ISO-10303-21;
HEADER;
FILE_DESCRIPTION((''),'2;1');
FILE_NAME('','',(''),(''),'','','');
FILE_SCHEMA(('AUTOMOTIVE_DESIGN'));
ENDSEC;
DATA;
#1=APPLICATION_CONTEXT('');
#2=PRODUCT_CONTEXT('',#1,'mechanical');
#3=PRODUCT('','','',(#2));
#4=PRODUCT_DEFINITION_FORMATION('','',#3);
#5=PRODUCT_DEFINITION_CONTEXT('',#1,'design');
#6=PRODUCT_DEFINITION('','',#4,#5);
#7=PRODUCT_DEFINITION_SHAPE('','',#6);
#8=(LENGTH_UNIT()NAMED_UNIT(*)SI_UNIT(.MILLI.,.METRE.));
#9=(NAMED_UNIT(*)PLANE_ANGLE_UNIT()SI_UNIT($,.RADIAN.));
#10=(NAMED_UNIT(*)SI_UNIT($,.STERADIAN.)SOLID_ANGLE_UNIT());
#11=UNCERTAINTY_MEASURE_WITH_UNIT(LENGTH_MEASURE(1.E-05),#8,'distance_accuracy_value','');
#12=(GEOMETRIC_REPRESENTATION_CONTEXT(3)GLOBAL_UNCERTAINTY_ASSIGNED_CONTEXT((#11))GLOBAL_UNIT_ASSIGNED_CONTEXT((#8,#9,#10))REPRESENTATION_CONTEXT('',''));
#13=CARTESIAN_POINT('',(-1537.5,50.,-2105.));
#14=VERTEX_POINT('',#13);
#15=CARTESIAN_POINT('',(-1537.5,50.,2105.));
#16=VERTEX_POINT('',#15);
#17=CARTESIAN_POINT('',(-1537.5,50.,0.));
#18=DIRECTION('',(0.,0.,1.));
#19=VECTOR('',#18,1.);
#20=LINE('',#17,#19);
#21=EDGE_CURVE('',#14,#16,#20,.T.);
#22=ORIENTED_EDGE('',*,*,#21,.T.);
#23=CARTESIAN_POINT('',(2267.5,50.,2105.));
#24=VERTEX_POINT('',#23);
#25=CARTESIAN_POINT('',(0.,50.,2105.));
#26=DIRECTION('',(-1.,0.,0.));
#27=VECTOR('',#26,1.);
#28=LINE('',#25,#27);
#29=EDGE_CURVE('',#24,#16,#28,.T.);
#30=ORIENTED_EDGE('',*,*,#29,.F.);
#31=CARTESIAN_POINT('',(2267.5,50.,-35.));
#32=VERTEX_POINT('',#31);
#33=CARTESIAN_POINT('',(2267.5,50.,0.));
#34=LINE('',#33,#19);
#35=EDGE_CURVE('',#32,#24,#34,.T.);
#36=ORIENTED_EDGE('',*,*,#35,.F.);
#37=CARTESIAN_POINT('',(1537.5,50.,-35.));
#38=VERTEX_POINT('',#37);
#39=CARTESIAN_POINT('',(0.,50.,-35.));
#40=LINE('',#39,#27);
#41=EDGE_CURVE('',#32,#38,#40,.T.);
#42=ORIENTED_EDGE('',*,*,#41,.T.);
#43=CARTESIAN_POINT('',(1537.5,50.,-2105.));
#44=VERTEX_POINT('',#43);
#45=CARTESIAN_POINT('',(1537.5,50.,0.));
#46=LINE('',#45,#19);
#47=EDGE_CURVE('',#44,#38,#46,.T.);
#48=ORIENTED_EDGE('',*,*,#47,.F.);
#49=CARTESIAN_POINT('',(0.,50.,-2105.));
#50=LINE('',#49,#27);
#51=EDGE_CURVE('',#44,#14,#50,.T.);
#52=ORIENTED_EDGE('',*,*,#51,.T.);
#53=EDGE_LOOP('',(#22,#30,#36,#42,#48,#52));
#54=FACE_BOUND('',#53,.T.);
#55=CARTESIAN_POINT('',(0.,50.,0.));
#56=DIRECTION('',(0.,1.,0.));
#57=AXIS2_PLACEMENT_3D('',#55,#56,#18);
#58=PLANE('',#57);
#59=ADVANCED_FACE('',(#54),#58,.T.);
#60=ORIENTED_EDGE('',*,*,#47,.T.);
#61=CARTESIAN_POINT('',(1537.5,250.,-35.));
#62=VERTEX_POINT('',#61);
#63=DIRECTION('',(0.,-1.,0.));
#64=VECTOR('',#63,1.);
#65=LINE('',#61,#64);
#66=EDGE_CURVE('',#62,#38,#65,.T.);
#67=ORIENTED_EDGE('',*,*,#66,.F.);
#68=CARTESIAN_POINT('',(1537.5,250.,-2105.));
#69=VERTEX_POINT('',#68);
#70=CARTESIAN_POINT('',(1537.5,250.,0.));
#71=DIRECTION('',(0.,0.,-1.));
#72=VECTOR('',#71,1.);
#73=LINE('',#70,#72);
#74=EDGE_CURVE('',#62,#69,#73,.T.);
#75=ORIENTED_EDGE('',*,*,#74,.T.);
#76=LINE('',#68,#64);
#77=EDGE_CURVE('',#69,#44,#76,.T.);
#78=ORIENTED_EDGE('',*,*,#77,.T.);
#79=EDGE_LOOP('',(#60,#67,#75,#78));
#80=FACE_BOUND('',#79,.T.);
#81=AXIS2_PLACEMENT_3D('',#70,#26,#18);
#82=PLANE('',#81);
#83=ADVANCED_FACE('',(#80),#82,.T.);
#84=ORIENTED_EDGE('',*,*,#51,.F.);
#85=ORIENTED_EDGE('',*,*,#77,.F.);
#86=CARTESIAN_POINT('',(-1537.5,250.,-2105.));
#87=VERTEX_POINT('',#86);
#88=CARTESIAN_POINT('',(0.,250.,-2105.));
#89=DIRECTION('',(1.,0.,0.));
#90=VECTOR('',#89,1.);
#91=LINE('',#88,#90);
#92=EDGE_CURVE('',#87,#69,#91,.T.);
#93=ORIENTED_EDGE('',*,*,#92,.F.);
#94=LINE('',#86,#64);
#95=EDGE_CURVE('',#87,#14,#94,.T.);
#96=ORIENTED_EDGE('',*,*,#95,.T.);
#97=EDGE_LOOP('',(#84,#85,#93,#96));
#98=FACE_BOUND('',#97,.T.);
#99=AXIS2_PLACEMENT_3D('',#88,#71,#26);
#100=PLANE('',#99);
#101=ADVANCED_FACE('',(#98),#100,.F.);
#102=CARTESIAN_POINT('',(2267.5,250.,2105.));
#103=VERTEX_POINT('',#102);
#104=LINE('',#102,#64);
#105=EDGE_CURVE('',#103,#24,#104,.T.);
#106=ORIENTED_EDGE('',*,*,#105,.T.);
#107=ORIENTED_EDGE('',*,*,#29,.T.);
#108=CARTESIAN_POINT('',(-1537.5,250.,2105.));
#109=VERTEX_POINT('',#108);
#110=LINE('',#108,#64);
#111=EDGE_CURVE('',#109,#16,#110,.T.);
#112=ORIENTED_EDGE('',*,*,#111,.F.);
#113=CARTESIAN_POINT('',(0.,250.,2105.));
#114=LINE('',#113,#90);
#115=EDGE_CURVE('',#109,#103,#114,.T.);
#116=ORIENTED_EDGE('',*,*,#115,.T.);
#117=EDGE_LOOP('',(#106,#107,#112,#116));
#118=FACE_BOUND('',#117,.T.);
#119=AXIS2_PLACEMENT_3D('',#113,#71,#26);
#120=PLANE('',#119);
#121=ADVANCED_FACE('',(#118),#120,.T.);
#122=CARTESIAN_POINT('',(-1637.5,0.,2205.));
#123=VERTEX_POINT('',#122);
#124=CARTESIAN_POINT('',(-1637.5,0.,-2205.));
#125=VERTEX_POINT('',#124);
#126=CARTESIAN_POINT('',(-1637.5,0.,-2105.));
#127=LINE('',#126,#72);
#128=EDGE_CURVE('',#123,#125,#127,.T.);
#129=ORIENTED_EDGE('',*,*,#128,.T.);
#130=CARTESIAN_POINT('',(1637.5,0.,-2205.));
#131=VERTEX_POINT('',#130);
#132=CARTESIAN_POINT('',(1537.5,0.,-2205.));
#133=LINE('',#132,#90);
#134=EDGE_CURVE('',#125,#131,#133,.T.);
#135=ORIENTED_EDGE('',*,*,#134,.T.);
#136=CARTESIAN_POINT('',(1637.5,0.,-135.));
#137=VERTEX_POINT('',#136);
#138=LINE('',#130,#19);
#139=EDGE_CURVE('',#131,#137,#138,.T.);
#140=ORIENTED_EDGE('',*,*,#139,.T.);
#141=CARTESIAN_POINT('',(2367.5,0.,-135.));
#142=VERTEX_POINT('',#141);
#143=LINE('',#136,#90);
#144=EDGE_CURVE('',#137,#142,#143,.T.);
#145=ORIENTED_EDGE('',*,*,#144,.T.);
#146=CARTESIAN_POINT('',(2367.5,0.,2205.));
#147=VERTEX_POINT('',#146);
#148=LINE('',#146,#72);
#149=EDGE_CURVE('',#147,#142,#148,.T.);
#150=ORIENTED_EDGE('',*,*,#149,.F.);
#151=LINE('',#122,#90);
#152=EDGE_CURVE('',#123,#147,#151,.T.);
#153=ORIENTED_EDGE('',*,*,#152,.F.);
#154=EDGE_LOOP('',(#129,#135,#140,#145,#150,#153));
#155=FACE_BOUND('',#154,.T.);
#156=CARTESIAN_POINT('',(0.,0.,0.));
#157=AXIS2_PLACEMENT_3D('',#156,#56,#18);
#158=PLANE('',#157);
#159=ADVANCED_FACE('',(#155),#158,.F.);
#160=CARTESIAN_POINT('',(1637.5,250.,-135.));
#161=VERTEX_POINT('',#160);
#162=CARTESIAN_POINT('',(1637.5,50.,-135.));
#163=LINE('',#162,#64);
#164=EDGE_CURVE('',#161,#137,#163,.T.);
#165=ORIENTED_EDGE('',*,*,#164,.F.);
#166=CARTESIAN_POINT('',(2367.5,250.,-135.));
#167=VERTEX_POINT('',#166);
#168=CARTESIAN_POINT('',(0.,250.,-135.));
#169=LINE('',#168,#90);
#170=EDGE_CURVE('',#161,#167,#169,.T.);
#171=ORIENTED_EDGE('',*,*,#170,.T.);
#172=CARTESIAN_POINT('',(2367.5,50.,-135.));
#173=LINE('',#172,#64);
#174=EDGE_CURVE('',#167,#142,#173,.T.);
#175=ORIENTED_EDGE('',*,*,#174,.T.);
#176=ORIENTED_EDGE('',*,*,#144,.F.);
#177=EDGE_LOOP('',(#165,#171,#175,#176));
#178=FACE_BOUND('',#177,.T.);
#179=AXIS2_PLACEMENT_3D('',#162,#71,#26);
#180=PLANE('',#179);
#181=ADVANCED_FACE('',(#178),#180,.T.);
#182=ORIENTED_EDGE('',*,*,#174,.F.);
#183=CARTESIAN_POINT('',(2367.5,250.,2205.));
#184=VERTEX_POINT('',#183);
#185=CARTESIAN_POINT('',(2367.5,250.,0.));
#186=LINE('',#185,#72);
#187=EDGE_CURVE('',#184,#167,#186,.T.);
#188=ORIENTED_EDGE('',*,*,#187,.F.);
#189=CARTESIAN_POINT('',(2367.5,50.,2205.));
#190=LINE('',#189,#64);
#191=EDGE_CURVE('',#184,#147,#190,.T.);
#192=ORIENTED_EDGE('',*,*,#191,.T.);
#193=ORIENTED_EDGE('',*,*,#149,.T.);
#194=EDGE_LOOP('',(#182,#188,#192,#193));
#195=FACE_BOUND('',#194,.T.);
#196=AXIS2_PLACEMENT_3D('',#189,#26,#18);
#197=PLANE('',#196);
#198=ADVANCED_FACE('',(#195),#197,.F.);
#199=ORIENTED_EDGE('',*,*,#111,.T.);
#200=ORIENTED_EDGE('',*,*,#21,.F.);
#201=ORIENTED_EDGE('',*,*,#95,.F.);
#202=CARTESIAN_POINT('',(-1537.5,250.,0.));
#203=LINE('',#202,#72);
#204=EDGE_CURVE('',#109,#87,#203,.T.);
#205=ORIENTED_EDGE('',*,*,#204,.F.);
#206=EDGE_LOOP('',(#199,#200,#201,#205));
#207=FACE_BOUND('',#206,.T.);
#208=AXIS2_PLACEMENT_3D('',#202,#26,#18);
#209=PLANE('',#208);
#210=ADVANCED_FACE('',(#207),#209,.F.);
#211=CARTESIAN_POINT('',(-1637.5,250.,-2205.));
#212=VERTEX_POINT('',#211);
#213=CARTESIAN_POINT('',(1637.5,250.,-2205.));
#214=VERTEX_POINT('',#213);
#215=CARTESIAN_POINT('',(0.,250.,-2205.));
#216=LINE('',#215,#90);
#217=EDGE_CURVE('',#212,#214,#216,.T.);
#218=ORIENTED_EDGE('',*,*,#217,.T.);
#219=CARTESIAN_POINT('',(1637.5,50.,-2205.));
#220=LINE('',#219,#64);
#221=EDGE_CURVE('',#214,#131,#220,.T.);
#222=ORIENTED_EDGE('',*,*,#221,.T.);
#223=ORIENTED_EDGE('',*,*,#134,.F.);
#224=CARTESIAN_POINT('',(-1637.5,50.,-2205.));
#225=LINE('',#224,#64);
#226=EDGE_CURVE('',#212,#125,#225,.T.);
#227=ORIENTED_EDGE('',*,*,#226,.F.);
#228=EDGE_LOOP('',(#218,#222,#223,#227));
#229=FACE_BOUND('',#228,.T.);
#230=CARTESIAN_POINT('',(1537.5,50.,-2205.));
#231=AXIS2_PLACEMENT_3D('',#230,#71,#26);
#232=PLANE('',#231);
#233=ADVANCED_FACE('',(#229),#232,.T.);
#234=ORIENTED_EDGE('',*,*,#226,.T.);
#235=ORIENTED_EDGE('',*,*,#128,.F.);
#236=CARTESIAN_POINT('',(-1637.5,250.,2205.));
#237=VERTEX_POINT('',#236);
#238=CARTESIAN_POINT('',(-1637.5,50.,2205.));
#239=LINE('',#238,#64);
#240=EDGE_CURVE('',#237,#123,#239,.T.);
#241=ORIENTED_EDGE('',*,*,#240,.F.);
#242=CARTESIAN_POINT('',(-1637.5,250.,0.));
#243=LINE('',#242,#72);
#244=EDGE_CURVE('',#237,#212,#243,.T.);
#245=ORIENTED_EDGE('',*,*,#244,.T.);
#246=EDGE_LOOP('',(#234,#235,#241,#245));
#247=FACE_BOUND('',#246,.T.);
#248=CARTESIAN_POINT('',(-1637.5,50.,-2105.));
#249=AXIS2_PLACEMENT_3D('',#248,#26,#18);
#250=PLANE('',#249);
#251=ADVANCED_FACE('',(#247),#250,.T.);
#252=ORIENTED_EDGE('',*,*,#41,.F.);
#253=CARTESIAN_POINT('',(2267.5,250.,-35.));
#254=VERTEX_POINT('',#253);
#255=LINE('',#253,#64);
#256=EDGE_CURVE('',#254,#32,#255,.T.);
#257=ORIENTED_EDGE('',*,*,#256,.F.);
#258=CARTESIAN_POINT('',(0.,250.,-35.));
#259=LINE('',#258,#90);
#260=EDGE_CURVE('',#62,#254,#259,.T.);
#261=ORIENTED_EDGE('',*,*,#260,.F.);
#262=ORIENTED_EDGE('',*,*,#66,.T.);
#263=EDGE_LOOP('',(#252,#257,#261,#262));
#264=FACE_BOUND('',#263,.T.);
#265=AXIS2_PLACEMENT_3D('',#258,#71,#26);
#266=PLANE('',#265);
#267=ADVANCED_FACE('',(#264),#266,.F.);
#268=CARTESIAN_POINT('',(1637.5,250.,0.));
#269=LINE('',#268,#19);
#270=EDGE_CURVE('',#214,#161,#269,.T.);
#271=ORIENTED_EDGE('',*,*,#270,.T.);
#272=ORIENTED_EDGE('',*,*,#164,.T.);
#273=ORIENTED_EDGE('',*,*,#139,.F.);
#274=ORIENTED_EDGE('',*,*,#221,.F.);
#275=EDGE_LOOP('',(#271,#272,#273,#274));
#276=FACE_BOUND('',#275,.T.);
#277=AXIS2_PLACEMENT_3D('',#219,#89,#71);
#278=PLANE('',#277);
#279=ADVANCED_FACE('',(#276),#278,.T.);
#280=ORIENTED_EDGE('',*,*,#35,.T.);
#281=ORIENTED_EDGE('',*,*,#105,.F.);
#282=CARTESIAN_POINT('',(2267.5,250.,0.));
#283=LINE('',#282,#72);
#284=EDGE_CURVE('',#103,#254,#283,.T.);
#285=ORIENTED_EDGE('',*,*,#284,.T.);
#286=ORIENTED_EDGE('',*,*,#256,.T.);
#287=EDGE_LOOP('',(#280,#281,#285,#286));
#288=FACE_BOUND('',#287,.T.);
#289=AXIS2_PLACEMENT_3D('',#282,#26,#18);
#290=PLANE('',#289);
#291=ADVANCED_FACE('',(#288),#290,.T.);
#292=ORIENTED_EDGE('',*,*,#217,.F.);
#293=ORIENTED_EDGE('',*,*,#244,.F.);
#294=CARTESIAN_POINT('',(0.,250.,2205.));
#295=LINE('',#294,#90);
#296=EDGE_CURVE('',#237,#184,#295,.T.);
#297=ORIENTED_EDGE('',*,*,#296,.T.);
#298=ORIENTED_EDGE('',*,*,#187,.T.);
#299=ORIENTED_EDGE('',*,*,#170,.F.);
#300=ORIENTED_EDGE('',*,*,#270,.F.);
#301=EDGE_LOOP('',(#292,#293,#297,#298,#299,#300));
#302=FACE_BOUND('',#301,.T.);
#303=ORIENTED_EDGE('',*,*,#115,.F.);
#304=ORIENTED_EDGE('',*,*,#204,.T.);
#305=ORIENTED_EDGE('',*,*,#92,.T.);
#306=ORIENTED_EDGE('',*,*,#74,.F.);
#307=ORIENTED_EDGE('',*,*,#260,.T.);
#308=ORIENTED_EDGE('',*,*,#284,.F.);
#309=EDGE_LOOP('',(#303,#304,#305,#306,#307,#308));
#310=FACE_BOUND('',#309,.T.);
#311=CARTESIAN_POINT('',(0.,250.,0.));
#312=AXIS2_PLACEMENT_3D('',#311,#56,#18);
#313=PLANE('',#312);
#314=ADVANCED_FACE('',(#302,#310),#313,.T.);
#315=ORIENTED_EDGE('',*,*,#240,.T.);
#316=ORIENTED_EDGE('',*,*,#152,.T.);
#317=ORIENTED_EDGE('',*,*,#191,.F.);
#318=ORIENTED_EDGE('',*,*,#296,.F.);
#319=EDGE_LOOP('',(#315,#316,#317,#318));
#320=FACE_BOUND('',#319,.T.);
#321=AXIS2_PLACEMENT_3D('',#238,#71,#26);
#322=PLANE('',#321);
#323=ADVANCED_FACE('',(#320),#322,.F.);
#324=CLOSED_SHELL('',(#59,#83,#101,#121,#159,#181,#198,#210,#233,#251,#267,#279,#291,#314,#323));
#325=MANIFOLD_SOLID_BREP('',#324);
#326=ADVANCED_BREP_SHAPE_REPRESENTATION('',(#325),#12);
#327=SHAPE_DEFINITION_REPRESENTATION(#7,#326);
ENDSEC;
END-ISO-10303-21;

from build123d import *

# Parameters (mm, degrees)
BOSS_EXTRUDE3_DEPTH = 50
BOSS_EXTRUDE4_DEPTH = 250


with BuildPart() as part:
    # Sketch2 → Boss-Extrude3 (new body)
    with BuildSketch(Plane(origin=(0, 0, 0), x_dir=(1, 0, 0), z_dir=(0, 1, 0))):
        Polygon((-1637.5, 2105), (-1637.5, -2105), (-1637.5, -2205), (2267.5, -2205), (2367.5, -2205), (2367.5, 135), (2267.5, 135), (1637.5, 135), (1637.5, 2205), (1537.5, 2205), (-1637.5, 2205), align=None)
    extrude(amount=BOSS_EXTRUDE3_DEPTH)

    # Sketch2<6> → Boss-Extrude4 (add)
    with BuildSketch(Plane(origin=(0, 0, 0), x_dir=(1, 0, 0), z_dir=(0, 1, 0))):
        Polygon((2367.5, 135), (2267.5, 135), (1637.5, 135), (1637.5, 2205), (1537.5, 2205), (-1637.5, 2205), (-1637.5, 2105), (-1637.5, -2105), (-1637.5, -2205), (2267.5, -2205), (2367.5, -2205), align=None)
        Polygon((1537.5, -2105), (-1537.5, -2105), (-1537.5, 2105), (1537.5, 2105), (1537.5, 135), (1537.5, 35), (1637.5, 35), (2267.5, 35), (2267.5, -2105), align=None, mode=Mode.SUBTRACT)
    extrude(amount=BOSS_EXTRUDE4_DEPTH)


solid = part.part
